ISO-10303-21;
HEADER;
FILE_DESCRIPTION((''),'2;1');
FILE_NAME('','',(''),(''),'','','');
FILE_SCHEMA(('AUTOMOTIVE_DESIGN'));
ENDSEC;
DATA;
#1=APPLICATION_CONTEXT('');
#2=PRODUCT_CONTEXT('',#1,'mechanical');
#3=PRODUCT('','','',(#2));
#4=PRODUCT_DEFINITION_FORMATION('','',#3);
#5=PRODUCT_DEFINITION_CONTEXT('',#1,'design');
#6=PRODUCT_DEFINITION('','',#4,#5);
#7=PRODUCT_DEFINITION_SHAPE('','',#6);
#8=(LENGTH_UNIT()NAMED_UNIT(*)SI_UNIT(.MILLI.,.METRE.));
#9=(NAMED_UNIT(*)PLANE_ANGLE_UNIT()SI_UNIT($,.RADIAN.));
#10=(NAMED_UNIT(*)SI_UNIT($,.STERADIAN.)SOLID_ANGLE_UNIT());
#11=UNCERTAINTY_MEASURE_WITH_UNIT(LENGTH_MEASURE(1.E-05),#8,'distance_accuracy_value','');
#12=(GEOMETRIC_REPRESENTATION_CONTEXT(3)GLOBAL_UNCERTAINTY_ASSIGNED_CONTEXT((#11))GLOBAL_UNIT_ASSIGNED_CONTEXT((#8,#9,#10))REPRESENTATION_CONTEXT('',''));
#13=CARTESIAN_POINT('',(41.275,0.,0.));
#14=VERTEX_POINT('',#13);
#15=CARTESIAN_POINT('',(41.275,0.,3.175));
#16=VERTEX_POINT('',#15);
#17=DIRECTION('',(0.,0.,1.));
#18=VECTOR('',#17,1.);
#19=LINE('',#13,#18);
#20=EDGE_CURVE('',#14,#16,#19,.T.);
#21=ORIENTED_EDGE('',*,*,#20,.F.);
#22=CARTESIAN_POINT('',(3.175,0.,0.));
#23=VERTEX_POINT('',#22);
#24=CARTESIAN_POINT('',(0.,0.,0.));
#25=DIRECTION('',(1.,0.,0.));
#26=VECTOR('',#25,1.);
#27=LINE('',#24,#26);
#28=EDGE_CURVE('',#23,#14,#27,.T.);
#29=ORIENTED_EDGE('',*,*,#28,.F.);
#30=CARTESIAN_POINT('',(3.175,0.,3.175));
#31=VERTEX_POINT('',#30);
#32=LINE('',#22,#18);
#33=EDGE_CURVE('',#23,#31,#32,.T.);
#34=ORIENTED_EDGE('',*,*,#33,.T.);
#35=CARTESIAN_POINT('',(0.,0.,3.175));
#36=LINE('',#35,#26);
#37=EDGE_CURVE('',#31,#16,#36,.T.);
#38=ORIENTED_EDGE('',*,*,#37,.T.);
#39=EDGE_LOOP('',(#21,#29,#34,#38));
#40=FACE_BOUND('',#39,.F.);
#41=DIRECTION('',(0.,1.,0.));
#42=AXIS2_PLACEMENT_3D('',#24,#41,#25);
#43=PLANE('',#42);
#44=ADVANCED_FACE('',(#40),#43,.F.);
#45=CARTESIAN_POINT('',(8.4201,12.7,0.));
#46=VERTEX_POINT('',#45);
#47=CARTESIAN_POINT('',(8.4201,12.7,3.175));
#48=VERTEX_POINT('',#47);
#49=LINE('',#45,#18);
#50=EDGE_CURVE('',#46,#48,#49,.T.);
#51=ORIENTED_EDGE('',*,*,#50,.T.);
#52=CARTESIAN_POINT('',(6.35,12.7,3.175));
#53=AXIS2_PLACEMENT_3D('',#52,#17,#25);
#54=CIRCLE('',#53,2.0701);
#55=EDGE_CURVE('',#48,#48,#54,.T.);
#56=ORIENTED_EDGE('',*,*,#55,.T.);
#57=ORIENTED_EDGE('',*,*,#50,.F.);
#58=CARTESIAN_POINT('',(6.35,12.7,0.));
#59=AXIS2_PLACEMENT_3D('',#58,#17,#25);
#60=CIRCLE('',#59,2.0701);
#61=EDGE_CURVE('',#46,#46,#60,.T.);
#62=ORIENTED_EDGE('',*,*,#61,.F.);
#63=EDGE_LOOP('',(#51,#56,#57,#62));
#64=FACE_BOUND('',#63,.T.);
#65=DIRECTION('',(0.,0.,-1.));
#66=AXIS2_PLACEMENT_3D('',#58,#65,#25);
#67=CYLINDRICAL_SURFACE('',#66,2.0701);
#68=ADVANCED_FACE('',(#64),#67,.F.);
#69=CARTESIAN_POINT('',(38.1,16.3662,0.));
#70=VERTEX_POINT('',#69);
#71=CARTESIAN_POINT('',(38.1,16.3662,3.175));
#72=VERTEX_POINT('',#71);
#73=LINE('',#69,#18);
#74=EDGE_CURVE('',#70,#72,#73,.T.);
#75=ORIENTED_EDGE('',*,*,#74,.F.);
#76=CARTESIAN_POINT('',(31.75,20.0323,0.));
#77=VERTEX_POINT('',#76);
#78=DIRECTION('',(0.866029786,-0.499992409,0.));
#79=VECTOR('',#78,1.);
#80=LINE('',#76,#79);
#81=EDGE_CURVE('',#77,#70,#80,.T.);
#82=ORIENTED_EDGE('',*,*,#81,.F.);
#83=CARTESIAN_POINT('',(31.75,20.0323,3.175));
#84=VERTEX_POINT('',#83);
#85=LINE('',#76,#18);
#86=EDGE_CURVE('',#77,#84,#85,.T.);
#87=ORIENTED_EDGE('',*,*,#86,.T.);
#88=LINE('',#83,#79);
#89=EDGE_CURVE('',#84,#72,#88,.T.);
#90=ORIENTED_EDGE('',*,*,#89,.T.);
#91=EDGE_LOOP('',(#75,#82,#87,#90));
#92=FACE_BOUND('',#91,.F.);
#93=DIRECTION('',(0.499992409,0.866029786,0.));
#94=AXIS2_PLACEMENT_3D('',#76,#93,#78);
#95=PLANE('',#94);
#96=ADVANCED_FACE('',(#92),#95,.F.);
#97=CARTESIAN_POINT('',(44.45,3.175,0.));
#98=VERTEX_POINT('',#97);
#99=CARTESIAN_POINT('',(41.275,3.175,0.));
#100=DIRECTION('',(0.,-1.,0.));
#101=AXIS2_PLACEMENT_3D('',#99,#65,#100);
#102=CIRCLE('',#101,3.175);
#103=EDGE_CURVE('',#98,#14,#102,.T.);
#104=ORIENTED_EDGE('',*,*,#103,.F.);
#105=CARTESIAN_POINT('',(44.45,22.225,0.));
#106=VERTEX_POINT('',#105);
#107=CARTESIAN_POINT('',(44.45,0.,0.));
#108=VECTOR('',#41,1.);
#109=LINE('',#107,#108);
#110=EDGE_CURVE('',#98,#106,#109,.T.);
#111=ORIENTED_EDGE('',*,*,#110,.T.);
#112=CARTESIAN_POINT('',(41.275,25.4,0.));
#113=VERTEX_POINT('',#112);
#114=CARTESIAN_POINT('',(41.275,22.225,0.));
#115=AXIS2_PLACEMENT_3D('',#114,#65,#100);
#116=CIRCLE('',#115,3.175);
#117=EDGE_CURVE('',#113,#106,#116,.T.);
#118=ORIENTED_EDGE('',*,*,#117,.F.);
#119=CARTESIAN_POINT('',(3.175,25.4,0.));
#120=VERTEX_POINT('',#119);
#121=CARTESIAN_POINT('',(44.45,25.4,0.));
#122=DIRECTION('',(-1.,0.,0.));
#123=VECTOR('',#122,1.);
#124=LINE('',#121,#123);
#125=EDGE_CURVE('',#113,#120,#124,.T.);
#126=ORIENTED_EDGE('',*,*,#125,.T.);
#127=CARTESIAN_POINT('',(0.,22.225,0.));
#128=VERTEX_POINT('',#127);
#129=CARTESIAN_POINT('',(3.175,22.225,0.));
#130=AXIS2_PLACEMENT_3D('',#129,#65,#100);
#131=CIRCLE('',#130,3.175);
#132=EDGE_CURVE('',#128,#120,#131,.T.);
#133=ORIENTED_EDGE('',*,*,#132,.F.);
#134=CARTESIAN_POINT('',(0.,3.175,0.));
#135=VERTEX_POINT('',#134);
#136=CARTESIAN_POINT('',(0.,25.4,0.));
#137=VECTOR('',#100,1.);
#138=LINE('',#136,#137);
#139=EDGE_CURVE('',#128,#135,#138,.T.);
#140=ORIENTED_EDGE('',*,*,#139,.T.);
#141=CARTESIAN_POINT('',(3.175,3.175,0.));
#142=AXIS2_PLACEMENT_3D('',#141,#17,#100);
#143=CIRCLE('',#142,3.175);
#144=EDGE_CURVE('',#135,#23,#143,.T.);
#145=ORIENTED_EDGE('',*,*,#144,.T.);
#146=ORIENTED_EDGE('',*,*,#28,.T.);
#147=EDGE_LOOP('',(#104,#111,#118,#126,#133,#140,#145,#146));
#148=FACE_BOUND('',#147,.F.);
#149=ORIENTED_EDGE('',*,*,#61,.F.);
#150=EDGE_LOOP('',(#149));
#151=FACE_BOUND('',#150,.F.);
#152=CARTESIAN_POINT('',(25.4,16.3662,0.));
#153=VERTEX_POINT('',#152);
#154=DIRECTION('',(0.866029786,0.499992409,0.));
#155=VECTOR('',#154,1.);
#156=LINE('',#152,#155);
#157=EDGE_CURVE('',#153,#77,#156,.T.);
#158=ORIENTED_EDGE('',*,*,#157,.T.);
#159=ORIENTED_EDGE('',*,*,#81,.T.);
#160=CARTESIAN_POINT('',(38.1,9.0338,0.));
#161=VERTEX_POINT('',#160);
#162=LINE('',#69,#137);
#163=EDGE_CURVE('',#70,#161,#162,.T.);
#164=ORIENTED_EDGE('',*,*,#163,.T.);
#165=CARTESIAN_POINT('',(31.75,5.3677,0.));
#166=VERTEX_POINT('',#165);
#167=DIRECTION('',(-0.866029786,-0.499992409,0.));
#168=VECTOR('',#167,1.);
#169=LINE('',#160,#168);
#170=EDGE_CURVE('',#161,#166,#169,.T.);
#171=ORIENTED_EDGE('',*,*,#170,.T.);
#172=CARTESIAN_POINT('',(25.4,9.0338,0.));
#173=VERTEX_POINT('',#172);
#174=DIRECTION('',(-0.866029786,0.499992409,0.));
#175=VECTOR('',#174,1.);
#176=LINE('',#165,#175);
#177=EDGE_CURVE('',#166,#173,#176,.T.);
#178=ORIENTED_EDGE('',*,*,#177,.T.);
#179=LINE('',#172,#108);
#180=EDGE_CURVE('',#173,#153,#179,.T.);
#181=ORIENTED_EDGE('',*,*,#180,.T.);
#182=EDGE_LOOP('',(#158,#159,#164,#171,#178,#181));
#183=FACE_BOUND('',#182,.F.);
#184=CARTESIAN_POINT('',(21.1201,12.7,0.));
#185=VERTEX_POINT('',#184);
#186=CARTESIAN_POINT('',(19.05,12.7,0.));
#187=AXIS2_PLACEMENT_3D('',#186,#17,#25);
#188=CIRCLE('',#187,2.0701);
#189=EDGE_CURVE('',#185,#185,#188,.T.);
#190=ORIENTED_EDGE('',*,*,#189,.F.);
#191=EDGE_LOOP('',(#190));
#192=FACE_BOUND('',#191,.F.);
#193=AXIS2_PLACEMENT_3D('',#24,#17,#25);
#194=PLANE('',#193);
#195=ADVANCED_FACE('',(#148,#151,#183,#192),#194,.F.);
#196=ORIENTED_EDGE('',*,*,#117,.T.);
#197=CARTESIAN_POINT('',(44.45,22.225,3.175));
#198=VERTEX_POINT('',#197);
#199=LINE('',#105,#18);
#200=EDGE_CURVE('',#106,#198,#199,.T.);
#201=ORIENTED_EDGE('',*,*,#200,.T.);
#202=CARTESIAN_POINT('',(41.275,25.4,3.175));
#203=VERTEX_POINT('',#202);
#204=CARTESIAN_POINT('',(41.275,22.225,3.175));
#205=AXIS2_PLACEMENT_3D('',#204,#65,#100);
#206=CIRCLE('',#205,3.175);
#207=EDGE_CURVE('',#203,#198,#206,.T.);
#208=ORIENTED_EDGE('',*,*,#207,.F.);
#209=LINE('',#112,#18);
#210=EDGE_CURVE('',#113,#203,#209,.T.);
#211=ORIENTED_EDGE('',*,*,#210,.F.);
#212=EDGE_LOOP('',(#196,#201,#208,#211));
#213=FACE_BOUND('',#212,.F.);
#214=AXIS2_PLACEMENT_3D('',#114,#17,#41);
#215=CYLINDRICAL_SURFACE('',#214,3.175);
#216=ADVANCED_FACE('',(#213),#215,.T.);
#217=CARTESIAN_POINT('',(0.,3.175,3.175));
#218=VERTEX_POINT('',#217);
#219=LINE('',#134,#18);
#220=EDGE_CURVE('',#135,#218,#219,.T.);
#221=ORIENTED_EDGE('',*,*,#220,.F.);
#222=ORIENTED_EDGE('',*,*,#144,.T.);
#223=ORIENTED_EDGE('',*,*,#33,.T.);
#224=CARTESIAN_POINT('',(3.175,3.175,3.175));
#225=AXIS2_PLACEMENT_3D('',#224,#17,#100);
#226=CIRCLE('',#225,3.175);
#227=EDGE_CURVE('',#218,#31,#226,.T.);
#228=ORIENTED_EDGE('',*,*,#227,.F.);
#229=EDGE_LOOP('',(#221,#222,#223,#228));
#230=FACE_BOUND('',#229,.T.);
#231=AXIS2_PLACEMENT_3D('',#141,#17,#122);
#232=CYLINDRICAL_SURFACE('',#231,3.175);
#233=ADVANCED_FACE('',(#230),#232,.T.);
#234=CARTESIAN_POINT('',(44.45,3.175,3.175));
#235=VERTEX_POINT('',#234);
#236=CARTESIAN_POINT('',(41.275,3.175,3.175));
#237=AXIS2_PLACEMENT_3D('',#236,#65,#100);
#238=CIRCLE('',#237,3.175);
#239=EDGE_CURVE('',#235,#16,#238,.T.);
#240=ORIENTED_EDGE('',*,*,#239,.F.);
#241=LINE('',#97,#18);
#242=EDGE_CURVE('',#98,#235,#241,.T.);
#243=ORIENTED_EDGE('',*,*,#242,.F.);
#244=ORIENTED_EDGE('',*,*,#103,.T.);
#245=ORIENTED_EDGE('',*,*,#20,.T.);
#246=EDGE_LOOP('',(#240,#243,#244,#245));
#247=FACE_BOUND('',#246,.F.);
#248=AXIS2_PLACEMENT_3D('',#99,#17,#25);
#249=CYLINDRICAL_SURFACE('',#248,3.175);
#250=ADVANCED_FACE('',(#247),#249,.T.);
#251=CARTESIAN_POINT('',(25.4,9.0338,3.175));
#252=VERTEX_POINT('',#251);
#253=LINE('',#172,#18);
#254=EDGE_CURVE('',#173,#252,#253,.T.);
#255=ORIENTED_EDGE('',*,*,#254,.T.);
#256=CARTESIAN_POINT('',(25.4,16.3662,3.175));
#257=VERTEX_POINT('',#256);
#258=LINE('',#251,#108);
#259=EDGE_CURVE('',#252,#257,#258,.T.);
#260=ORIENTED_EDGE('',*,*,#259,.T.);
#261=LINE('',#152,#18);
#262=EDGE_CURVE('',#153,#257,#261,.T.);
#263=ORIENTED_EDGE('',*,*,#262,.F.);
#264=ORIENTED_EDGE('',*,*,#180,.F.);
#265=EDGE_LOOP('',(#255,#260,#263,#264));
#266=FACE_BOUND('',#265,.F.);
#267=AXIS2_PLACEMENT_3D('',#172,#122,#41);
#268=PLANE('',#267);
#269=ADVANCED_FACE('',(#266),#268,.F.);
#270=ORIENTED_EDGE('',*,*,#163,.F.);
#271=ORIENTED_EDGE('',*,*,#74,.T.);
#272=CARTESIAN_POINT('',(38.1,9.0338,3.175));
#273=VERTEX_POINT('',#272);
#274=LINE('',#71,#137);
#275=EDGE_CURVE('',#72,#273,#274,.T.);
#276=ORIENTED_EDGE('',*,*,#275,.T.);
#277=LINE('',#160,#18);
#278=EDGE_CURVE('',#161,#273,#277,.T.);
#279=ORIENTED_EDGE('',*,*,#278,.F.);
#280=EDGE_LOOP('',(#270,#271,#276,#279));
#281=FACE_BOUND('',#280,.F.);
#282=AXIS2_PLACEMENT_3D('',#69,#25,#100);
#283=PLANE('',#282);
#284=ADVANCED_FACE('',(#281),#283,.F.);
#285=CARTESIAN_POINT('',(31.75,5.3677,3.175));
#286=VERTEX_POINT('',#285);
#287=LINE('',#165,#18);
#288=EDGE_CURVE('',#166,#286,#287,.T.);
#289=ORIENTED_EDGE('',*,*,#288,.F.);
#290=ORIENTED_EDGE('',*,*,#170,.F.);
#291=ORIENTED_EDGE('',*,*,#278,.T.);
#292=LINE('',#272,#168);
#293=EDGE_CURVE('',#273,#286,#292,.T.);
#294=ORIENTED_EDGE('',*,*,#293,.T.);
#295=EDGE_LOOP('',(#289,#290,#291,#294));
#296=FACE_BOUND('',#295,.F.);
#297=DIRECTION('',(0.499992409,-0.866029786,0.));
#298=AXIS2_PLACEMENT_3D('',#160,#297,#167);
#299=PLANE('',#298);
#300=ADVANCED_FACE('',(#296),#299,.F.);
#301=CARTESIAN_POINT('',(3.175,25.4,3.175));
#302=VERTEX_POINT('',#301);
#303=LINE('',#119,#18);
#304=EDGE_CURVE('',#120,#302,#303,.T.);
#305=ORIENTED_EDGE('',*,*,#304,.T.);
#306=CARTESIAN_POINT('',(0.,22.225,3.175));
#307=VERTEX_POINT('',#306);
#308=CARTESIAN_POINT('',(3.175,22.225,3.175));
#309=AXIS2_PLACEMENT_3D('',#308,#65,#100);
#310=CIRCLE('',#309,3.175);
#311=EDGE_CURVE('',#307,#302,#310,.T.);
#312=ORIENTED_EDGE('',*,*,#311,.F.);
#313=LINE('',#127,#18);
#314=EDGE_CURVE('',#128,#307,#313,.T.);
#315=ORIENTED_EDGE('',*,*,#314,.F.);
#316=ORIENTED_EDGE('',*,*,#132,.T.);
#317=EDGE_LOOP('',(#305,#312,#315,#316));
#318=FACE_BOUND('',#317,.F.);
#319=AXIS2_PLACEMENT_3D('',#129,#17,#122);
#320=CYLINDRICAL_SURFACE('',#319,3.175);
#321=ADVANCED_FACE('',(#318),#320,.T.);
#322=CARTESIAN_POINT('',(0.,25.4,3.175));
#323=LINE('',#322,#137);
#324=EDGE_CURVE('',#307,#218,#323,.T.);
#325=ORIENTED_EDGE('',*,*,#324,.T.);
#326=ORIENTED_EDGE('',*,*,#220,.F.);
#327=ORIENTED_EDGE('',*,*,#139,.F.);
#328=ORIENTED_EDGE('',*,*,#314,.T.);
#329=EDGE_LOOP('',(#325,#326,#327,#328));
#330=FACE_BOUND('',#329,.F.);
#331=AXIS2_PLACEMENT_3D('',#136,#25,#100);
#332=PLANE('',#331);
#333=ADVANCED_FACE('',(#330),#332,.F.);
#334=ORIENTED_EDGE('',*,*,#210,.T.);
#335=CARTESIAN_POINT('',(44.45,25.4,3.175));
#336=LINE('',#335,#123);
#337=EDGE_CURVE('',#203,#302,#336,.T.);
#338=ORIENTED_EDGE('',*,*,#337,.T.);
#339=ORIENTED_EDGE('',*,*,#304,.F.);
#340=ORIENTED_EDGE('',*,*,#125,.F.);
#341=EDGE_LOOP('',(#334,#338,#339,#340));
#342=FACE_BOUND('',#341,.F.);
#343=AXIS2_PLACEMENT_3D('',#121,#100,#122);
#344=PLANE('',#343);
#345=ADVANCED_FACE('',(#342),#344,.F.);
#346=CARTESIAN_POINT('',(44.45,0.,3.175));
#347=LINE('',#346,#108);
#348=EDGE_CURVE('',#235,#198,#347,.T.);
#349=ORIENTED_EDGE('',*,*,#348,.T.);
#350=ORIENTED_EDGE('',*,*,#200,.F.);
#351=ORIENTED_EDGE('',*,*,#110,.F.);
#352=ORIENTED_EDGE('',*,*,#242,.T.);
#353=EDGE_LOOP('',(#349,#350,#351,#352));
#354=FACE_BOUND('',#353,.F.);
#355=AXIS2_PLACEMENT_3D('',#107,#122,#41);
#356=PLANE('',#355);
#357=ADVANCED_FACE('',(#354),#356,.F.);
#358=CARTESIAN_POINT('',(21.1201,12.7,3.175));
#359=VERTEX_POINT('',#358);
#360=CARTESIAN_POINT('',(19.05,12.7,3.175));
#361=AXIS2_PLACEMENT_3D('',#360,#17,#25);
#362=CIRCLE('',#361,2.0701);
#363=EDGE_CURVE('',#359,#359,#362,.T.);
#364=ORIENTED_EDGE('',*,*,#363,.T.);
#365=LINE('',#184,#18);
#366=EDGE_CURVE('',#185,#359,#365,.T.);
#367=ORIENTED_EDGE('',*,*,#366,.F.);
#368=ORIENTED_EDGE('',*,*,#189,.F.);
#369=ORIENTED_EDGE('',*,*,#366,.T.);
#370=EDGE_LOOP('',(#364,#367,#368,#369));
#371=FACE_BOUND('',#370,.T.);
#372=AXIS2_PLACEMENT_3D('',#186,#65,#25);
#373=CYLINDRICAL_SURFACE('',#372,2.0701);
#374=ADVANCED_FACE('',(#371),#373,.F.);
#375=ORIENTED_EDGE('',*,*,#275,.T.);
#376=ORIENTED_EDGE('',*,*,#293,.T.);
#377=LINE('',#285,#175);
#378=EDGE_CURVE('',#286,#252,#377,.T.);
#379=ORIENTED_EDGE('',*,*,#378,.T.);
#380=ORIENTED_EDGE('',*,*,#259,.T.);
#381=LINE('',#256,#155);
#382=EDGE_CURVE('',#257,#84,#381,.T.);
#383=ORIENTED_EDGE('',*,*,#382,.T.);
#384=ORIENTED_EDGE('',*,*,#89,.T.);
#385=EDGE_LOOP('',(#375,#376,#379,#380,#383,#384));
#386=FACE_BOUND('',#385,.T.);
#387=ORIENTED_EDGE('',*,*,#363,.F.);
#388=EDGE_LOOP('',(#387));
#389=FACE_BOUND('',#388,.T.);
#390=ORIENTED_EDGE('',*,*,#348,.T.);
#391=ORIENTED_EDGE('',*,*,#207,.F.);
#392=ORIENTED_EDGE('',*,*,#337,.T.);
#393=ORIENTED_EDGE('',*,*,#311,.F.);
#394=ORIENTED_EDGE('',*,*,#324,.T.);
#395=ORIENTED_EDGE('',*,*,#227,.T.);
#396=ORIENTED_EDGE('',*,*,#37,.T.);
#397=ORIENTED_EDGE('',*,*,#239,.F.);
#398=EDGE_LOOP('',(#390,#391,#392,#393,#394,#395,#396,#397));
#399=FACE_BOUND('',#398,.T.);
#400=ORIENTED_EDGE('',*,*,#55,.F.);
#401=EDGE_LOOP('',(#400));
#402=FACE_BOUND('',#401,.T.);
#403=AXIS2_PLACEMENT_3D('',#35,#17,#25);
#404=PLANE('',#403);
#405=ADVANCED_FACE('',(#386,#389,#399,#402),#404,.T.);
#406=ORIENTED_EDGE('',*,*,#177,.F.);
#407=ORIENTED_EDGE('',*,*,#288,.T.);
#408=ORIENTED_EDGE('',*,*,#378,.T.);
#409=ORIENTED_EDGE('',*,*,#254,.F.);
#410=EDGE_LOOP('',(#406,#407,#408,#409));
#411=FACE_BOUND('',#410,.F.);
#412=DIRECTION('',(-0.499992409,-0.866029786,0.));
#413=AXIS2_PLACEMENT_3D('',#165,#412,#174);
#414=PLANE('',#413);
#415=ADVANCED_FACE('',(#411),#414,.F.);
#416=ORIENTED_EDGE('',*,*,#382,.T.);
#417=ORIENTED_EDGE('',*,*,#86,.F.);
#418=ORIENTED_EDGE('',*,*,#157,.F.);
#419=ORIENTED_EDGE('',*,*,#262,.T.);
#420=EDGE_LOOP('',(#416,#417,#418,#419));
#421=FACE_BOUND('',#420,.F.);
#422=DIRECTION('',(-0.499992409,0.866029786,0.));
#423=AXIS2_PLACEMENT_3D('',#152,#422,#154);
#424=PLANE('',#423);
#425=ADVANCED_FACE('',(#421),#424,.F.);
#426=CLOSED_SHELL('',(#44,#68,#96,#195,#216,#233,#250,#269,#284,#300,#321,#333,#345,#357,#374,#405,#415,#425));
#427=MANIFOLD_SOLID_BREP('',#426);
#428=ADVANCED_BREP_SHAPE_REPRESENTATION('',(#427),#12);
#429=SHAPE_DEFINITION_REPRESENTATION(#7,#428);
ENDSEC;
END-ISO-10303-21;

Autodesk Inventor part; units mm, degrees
ref_plane "YZ Plane" through (0, 0, 0) normal (1, 0, 0) x (0, 1, 0)
ref_plane "XZ Plane" through (0, 0, 0) normal (0, 1, 0) x (-1, 0, 0)
ref_plane "XY Plane" through (0, 0, 0) normal (0, 0, 1) x (1, 0, 0)
sketch "Sketch1" plane through (0, 0, 0) normal (0, 0, 1) x (1, 0, 0)
  line L0 (0, 0) -> (44.45, 0)
  line L1 (44.45, 0) -> (44.45, 25.4)
  line L2 (44.45, 25.4) -> (0, 25.4)
  line L3 (0, 25.4) -> (0, 0)
  circle A0 centre (6.35, 12.7) radius 2.0701
  line L4 (31.75, 20.0323) -> (38.1, 16.3662)
  line L5 (38.1, 16.3662) -> (38.1, 9.0338)
  line L6 (38.1, 9.0338) -> (31.75, 5.3677)
  line L7 (31.75, 5.3677) -> (25.4, 9.0338)
  line L8 (25.4, 9.0338) -> (25.4, 16.3662)
  line L9 (25.4, 16.3662) -> (31.75, 20.0323)
  circle A1 centre (19.05, 12.7) radius 2.0701
  point P0 (31.75, 12.7)
  dimension "d0" = 44.45
  dimension "d1" = 25.4
  dimension "d2" = 4.1402
  dimension "d3" = 12.7
  dimension "d4" = 6.35
  dimension "d5" = 25.4
  dimension "d6" = 12.7
  dimension "d7" = 12.7
  dimension "d13" = 12.7
extrude "Extrusion1" add sketch "Sketch1" along normal blind 3.175
fillet "Fillet1" radius 3.175 4 edges at (44.45, 25.4, 1.5875) (44.45, 0, 1.5875) (0, 25.4, 1.5875) (0, 0, 1.5875)
properties part number "Hex Spacer 1-2" material "Aluminum 6061"
